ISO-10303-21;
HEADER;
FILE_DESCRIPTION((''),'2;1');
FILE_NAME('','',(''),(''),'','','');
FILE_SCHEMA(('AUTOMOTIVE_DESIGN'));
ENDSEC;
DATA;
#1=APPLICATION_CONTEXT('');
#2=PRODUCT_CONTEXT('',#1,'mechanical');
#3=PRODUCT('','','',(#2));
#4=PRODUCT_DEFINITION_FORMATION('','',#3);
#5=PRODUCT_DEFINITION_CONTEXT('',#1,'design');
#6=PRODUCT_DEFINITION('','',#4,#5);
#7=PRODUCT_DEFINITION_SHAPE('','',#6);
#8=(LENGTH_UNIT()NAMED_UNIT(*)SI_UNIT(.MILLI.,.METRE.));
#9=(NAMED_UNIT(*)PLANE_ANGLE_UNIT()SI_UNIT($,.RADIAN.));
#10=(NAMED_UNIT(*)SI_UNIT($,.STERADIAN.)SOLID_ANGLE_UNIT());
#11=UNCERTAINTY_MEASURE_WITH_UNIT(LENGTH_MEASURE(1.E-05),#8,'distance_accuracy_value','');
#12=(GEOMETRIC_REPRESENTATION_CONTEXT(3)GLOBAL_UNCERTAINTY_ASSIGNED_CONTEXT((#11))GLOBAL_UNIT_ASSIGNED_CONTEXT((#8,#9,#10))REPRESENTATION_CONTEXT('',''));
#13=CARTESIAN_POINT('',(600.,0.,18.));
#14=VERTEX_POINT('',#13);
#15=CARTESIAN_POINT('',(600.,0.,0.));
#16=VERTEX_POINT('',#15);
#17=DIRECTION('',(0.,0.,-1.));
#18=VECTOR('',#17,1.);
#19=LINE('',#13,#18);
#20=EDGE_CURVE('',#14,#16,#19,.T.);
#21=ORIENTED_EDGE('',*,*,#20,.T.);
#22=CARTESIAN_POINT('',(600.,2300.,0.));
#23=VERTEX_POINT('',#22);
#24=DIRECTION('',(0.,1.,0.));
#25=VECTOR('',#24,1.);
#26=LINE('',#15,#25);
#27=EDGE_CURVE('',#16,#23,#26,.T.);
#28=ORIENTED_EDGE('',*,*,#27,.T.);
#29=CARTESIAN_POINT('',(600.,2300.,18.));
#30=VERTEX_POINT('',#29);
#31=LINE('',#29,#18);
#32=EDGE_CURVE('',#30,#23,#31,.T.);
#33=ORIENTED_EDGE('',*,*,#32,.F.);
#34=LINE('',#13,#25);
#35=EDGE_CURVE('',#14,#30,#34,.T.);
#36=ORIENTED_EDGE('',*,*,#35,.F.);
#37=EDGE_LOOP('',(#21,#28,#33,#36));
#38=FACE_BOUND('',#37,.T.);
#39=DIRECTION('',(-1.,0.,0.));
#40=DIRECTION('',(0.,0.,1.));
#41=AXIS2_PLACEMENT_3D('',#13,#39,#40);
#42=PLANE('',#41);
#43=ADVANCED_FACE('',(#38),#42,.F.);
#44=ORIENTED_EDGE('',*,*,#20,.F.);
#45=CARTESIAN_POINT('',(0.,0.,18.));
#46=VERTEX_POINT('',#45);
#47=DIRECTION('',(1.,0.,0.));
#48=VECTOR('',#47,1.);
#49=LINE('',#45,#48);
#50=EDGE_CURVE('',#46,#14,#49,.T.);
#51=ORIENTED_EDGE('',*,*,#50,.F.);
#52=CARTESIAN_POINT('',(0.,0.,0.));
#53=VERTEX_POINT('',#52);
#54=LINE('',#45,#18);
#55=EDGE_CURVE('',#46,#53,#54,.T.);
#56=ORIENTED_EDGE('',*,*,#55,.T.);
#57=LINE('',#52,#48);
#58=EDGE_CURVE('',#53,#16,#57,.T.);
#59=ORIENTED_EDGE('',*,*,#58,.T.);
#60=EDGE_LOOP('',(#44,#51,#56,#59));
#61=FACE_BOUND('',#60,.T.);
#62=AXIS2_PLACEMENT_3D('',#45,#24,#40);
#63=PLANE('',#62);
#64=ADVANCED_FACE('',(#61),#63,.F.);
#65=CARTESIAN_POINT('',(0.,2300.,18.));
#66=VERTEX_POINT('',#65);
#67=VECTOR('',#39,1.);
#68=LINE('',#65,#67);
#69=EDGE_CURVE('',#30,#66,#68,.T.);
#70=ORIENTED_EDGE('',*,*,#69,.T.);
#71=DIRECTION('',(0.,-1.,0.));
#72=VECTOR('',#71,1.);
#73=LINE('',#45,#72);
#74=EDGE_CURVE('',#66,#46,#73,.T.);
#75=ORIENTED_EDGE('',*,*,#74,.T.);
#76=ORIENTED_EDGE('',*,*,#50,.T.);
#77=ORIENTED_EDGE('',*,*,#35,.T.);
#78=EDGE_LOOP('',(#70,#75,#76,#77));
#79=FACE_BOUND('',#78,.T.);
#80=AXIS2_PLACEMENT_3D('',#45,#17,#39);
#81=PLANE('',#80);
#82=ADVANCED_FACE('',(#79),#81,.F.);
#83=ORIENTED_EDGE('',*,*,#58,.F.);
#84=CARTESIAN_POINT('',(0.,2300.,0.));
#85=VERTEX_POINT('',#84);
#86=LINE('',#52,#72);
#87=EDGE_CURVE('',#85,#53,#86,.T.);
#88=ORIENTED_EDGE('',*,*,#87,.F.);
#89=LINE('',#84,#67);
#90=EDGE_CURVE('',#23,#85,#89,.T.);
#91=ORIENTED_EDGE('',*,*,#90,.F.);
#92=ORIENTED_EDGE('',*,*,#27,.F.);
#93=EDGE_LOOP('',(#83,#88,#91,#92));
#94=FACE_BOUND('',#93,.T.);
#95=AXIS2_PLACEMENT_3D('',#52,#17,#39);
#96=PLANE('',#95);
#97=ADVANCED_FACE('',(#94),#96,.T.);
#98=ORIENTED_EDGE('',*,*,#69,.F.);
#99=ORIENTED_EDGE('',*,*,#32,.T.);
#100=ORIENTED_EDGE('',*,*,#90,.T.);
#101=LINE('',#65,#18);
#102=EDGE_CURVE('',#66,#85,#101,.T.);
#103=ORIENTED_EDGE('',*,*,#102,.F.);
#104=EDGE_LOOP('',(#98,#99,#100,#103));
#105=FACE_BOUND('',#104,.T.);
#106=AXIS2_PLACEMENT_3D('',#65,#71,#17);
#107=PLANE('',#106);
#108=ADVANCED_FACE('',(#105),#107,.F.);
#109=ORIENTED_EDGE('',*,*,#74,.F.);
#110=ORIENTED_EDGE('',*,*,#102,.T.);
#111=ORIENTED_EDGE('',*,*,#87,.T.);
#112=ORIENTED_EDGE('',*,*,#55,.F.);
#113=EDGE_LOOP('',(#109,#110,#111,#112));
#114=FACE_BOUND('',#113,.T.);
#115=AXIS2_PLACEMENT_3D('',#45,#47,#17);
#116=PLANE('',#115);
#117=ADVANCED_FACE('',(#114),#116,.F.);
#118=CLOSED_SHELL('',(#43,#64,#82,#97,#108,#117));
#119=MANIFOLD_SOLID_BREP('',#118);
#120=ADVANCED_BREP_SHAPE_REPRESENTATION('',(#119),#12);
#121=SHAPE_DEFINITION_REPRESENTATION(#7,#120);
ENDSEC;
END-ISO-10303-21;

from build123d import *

# Parameters (mm, degrees)
SKETCH_1_W      = 600
SKETCH_1_H      = 2300
EXTRUDE_1_DEPTH = 18


with BuildPart() as part:
    # Эскиз1 → Бобышка-Вытянуть1 (new body)
    with BuildSketch(Plane.XY):
        with Locations((300, 1150)):
            Rectangle(SKETCH_1_W, SKETCH_1_H)
    extrude(amount=EXTRUDE_1_DEPTH)


solid = part.part
